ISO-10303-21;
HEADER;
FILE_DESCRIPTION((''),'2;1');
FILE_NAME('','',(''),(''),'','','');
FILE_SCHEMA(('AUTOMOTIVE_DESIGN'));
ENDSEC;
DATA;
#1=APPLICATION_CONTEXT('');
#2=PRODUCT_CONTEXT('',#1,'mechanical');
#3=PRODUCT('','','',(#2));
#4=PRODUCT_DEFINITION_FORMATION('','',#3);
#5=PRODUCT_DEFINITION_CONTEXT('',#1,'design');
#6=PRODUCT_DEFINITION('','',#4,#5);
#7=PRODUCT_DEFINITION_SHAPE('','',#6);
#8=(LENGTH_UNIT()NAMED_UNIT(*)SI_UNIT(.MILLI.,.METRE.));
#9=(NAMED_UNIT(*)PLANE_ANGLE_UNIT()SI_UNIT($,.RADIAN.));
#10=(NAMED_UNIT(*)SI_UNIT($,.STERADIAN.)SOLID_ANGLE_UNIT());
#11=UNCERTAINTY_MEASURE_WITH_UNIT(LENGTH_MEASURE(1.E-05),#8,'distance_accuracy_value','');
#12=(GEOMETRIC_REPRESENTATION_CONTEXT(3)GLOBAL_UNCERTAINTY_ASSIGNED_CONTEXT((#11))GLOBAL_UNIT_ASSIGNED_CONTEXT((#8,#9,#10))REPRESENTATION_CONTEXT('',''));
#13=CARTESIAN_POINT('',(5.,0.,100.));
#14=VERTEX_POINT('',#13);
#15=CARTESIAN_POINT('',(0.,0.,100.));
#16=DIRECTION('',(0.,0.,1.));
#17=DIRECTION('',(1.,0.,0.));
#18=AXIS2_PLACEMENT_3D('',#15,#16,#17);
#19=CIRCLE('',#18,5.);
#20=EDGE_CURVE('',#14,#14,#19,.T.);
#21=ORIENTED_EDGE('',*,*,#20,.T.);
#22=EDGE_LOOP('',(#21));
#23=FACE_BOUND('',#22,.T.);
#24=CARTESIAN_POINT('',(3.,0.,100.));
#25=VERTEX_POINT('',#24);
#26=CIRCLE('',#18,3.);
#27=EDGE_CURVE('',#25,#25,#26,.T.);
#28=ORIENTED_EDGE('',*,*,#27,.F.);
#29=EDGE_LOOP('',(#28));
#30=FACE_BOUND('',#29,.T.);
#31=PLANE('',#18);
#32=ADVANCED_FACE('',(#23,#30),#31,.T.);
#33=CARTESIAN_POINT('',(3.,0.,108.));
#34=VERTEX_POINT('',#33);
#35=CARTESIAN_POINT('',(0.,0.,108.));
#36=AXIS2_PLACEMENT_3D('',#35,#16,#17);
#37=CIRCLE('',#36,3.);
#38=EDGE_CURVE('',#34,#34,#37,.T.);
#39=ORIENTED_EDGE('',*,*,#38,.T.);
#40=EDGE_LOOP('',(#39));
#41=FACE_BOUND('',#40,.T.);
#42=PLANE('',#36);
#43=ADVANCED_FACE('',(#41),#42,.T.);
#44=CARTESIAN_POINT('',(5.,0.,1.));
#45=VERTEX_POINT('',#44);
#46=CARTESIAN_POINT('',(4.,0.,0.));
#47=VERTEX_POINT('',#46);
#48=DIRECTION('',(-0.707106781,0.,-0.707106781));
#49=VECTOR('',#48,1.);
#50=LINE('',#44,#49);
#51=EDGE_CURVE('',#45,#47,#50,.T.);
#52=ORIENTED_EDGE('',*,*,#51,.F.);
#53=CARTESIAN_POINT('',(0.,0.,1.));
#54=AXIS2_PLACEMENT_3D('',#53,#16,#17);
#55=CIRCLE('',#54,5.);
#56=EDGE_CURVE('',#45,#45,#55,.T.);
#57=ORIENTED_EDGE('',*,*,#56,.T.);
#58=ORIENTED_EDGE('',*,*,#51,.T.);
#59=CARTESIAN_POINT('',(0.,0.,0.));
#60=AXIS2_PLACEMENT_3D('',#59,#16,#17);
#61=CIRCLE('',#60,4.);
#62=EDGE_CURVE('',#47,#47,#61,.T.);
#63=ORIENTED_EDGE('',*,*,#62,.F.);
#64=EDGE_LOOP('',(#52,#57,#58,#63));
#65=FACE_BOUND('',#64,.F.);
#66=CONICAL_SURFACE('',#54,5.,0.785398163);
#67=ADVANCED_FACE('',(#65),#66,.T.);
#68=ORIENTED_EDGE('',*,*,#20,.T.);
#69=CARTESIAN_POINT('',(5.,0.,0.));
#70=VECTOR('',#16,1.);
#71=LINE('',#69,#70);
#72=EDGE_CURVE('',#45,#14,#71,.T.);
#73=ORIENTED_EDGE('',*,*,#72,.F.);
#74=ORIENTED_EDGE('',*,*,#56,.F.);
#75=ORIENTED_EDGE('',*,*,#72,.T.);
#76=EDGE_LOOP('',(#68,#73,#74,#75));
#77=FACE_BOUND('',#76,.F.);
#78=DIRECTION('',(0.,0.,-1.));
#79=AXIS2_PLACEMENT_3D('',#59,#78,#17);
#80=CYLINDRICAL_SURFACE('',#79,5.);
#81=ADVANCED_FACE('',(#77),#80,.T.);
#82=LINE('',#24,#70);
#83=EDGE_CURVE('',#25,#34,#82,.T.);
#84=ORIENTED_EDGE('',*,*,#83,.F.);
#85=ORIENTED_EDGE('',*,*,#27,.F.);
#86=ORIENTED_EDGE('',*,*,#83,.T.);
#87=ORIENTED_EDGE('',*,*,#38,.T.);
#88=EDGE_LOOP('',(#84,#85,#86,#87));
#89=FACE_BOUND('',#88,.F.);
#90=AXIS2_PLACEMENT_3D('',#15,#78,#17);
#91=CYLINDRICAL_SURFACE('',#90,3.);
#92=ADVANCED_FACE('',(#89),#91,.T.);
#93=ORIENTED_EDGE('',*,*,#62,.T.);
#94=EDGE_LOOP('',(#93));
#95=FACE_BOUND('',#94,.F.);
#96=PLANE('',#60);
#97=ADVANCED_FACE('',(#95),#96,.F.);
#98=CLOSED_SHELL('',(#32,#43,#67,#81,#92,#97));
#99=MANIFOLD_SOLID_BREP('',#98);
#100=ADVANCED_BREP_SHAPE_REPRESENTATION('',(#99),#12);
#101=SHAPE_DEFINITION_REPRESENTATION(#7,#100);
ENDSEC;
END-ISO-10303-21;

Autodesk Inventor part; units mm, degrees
ref_plane "YZ Plane" through (0, 0, 0) normal (1, 0, 0) x (0, 1, 0)
ref_plane "XZ Plane" through (0, 0, 0) normal (0, 1, 0) x (-1, 0, 0)
ref_plane "XY Plane" through (0, 0, 0) normal (0, 0, 1) x (1, 0, 0)
sketch "Sketch1" plane through (0, 0, 0) normal (0, 0, 1) x (1, 0, 0)
  circle A0 centre (0, 0) radius 5
  dimension "d0" = 10
extrude "Extrusion1" add sketch "Sketch1" along normal blind 100
sketch "Sketch3" plane through (0, 0, 100) normal (0, 0, 1) x (1, 0, 0)
  circle A0 centre (0, 0) radius 5 projected
  circle A1 centre (0, 0) radius 3
  dimension "d3" = 6
extrude "Extrusion2" add sketch "Sketch3" along normal blind 8 contours A1
thread "Thread1" size "M6x1" class "6g" standard "ANSI Metric M Profile" full length
chamfer "Chamfer1" distance 1 angle 45 1 edges at (-5, 0, 0)
properties part number "rod"
